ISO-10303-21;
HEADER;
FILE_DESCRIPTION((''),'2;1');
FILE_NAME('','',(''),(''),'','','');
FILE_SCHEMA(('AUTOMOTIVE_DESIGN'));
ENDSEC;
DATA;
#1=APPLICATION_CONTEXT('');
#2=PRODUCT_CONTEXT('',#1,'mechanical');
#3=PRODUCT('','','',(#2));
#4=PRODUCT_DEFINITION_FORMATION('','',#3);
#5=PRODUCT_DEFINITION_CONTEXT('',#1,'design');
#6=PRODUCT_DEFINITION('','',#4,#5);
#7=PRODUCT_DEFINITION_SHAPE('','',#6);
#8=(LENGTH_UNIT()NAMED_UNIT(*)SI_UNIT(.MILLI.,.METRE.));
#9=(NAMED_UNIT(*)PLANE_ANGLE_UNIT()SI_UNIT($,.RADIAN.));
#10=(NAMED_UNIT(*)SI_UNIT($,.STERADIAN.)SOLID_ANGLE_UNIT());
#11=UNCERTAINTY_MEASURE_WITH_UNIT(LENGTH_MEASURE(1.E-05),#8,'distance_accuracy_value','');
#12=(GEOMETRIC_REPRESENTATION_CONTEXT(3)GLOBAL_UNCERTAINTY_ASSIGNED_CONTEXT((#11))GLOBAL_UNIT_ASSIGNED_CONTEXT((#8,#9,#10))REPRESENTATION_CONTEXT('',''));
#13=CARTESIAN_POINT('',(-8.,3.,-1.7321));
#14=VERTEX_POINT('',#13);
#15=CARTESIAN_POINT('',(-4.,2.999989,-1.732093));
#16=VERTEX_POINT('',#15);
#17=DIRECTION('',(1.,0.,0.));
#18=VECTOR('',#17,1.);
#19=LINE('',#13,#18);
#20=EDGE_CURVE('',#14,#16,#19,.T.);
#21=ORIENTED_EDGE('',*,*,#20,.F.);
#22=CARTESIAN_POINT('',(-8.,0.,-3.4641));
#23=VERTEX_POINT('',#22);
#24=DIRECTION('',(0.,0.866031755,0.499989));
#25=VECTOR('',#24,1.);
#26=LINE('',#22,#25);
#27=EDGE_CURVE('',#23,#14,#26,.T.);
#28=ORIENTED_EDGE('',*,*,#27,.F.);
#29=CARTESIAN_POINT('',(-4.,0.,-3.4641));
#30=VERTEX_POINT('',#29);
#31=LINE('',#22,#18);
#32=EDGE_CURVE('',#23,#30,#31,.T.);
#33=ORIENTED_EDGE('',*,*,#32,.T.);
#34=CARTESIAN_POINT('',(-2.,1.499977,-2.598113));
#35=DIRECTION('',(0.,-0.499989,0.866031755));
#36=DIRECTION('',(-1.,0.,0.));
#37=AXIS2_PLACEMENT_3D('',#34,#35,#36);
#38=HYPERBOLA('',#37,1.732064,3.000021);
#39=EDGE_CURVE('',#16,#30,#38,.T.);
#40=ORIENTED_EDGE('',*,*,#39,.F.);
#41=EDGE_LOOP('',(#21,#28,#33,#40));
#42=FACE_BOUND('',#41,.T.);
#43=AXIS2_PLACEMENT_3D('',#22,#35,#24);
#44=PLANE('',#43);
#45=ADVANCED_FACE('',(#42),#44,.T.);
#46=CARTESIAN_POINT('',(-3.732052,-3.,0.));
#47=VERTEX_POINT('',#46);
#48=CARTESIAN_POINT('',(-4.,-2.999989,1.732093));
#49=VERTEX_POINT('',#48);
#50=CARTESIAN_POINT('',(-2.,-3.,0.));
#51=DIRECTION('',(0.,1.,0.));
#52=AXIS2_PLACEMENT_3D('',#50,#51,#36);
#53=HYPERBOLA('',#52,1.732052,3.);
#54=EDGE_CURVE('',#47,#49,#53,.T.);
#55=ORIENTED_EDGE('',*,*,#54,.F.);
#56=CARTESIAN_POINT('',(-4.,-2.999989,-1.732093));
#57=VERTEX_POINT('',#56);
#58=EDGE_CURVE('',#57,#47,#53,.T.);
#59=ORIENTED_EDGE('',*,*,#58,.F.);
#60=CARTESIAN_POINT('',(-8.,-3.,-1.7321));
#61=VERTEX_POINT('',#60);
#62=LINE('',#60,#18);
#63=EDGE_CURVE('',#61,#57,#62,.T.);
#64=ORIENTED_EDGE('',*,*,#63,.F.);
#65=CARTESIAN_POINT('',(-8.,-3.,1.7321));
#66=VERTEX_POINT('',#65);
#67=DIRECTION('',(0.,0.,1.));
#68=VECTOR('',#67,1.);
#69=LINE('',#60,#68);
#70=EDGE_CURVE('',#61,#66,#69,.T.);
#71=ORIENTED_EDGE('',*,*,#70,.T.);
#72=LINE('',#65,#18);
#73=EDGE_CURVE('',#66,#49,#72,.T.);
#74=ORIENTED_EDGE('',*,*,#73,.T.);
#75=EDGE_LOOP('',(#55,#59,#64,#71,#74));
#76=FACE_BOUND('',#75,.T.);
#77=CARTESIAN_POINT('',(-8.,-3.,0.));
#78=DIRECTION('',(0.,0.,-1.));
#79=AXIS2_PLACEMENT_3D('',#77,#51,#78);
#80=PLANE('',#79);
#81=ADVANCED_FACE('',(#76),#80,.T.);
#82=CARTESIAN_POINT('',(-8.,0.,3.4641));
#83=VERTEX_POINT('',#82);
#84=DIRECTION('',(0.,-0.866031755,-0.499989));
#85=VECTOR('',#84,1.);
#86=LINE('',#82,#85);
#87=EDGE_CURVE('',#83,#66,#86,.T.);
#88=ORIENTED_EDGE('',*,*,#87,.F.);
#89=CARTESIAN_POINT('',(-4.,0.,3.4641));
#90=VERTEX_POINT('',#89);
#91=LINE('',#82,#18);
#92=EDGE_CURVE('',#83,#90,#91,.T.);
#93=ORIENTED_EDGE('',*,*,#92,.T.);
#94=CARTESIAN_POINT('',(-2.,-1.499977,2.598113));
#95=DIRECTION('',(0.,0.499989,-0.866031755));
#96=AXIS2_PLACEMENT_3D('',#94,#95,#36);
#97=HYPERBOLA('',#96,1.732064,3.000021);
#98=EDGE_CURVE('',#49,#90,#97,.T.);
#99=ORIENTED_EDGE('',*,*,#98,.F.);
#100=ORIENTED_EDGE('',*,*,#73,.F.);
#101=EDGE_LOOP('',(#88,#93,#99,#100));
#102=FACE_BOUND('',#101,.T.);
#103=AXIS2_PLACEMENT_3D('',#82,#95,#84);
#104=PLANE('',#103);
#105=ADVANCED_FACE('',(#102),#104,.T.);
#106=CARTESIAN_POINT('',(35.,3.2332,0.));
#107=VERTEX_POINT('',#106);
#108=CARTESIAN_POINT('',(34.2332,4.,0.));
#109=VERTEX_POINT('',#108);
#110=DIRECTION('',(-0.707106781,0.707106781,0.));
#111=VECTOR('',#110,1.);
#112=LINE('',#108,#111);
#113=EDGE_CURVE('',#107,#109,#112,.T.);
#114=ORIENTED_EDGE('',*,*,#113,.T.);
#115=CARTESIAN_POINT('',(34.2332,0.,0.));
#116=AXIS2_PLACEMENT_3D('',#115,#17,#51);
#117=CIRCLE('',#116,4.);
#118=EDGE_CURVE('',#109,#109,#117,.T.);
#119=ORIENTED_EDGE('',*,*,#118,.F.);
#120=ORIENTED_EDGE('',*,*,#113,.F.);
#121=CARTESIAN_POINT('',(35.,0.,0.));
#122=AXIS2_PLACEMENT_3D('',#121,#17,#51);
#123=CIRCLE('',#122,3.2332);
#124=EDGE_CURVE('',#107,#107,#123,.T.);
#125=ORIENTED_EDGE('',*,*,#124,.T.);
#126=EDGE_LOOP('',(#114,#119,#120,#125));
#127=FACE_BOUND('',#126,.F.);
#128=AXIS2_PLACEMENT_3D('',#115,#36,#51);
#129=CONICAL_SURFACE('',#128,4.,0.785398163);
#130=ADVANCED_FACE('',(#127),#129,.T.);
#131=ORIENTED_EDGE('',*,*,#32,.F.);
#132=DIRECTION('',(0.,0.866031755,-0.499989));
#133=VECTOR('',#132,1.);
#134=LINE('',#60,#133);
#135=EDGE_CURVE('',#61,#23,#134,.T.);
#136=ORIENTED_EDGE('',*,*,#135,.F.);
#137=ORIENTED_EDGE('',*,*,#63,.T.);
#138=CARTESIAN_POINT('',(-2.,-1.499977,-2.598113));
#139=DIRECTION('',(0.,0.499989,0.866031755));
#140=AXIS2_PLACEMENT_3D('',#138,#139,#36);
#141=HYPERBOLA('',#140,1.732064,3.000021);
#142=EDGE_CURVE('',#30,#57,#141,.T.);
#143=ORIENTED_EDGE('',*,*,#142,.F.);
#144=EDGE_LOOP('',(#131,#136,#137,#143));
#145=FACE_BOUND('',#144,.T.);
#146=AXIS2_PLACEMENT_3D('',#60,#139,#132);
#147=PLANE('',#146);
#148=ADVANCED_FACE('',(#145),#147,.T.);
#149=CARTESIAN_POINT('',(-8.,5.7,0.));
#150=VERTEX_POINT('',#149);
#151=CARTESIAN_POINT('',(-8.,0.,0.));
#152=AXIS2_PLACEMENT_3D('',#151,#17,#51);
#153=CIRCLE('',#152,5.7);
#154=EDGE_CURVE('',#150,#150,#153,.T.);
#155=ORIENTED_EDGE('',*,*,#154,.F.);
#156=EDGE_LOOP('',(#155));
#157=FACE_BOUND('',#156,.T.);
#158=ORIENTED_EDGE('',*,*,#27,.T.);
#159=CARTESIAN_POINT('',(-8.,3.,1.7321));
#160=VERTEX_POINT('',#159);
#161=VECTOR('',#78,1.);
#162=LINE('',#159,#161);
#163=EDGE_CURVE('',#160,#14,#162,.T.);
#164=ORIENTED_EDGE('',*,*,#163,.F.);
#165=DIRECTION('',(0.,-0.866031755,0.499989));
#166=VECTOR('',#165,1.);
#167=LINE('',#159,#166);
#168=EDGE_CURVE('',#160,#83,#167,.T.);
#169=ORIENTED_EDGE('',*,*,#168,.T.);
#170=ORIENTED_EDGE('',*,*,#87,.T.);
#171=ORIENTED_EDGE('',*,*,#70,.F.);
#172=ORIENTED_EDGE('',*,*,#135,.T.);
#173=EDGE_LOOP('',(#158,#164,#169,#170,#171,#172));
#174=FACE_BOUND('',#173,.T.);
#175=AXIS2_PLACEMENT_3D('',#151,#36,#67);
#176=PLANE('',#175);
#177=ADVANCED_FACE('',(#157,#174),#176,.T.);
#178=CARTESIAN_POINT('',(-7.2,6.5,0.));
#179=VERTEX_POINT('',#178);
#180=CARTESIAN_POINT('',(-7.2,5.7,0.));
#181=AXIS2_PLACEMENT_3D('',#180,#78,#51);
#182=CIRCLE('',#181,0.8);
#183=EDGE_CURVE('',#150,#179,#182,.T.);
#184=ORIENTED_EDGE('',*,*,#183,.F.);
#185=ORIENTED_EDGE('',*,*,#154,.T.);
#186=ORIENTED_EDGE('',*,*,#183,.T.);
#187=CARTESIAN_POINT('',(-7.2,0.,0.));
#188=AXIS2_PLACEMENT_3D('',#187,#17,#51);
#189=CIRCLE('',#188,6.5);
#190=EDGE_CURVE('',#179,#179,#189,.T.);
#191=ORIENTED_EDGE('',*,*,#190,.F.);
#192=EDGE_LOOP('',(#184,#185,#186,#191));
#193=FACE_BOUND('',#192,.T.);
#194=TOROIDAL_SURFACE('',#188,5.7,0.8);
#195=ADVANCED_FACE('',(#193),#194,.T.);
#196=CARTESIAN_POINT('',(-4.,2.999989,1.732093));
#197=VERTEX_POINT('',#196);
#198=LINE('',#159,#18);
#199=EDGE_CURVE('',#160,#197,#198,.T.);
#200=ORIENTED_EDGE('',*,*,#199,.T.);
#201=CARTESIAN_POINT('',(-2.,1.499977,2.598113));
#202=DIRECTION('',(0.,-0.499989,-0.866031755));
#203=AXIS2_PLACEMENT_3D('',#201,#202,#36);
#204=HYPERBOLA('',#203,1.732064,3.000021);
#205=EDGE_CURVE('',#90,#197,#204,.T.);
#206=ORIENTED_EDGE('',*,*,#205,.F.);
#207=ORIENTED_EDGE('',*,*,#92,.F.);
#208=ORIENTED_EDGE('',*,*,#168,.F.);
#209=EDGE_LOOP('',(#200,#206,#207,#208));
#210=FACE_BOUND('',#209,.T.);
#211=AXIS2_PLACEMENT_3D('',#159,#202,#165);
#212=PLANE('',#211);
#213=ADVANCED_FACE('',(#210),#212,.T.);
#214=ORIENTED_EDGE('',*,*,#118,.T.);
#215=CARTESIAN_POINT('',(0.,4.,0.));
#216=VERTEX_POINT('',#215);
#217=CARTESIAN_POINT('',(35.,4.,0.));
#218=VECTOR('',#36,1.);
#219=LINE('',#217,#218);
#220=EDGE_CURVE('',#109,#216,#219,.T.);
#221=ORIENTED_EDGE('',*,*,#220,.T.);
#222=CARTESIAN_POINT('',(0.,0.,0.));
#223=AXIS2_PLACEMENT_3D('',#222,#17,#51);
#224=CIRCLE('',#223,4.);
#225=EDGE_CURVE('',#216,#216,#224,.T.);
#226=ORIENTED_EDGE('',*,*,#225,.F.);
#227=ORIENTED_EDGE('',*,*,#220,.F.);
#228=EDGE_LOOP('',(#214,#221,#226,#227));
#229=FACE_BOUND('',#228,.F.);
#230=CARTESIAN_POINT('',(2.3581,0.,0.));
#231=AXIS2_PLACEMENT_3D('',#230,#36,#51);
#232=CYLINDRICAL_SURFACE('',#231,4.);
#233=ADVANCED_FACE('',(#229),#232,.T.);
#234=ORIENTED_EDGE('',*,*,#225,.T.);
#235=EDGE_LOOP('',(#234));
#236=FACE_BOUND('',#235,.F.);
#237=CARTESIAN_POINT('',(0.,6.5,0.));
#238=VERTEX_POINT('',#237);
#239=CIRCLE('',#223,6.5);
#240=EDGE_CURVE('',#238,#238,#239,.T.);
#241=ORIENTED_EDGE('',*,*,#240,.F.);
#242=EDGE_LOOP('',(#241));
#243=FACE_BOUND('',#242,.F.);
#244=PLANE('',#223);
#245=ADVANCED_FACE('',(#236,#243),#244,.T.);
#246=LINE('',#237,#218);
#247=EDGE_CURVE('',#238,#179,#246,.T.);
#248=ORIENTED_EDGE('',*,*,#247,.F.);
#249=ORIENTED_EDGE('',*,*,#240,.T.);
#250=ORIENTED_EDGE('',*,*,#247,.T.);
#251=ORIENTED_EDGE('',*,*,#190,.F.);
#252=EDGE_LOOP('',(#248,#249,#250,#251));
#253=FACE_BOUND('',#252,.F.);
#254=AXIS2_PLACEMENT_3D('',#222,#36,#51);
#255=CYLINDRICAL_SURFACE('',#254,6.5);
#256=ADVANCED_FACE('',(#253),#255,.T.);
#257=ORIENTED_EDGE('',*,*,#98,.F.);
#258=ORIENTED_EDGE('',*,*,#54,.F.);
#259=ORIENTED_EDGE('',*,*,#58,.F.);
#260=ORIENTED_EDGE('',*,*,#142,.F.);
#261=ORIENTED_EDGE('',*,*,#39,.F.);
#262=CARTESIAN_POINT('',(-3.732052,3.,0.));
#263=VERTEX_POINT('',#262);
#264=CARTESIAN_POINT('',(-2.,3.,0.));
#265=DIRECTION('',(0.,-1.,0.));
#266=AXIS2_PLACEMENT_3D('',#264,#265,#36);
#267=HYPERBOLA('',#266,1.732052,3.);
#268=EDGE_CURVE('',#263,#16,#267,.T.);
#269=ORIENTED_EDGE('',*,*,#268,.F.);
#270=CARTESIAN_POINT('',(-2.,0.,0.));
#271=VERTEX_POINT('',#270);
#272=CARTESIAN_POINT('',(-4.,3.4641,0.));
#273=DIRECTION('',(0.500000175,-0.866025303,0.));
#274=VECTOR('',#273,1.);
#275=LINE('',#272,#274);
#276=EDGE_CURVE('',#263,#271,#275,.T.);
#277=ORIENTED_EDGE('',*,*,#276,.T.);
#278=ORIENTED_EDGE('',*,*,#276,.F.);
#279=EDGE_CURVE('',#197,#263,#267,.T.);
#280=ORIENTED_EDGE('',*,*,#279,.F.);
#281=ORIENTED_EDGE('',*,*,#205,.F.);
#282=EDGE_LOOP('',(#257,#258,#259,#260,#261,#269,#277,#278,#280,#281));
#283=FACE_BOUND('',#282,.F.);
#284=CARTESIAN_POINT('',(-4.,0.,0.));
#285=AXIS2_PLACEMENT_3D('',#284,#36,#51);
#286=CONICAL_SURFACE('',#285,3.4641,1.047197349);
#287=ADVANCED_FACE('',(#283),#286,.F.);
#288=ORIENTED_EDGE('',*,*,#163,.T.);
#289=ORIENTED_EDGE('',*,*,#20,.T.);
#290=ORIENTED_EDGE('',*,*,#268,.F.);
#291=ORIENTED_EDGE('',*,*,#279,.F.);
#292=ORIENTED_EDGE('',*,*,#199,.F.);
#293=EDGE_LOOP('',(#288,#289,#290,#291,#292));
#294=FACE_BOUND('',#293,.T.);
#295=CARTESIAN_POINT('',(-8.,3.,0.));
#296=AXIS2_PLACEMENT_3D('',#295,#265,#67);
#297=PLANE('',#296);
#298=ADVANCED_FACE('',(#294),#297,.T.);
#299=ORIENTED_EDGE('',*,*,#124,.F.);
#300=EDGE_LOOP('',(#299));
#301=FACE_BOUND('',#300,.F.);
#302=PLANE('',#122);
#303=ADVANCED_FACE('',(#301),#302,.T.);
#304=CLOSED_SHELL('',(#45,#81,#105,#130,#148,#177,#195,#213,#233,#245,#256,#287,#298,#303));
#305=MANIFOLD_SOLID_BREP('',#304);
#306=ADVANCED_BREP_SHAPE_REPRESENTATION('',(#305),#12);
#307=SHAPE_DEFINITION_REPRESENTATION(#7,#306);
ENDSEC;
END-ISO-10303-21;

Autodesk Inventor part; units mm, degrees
ref_plane "YZ Plane" through (0, 0, 0) normal (1, 0, 0) x (0, 1, 0)
ref_plane "XZ Plane" through (0, 0, 0) normal (0, 1, 0) x (-1, 0, 0)
ref_plane "XY Plane" through (0, 0, 0) normal (0, 0, 1) x (1, 0, 0)
sketch "Sketch1" plane through (0, 0, 0) normal (0, 0, 1) x (1, 0, 0)
  line L0 (-2, 0) -> (35, 0)
  line L1 (35, 0) -> (35, 4)
  line L2 (35, 4) -> (3.125, 4)
  line L3 (3.125, 4) -> (2.3581, 4)
  line L4 (2.3581, 4) -> (0, 4)
  line L5 (0, 4) -> (0, 6.5)
  line L6 (0, 6.5) -> (-8, 6.5)
  line L7 (-8, 6.5) -> (-8, 3.4641)
  line L8 (-8, 3.4641) -> (-4, 3.4641)
  line L9 (-4, 3.4641) -> (-2, 0)
  line L10 (-12.3, 0) -> (47.9, 0) projected
  line L11 (0, -0.65) -> (0, 8.45) projected
  line L12 (3.125, 4) -> (0, 4) construction
  dimension "d1" = 31.875
  dimension "d2" = 0.7669
  dimension "d3" = 8
  dimension "d4" = 4
  dimension "d5" = 60
  dimension "d6" = 8
  dimension "d7" = 8
  dimension "d8" = 6.9282
  dimension "d9" = 13
  dimension "d26" = 35
revolve "Body" add sketch "Sketch1" angle 360 about axis through (-2, 0, 0) along (1, 0, 0)
sketch "Sketch2" plane through (-8, 0, 0) normal (-1, 0, 0) x (0, 0, 1)
  circle A0 centre (0, 0) radius 3.4641 projected
  line L0 (0, -7.8) -> (0, 10.4) projected
  line L1 (-7.8, 0) -> (10.4, 0) projected
  line L2 (3.4641, 0) -> (1.7321, -3)
  line L3 (1.7321, -3) -> (-1.7321, -3)
  line L4 (-1.7321, -3) -> (-3.4641, 0)
  line L5 (-3.4641, 0) -> (-1.7321, 3)
  line L6 (-1.7321, 3) -> (1.7321, 3)
  line L7 (1.7321, 3) -> (3.4641, 0)
extrude "Slot" add sketch "Sketch2" against normal up to next contours L7 A0 | A0 L2 | L6 L0 A0 | A0 L0 L3 | L0 L6 A0 | A0 L3 L0 | L4 A0 | A0 L5
fillet "Fillet1" radius 0.8 1 edges at (-8, -6.5, 0)
thread "Thread" size "M8x1.25" class "6g" standard "ISO Metric profile" length 31.875
chamfer "Chamfer1" distance 0.7668 distance2 0.7668 1 edges at (35, -4, 0) measured on face at (35, -0.4013, -0.6579)
equation "\"d1\" = GEL"
equation "\"d3\" = KOH"
equation "\"d4\" = INTI"
equation "\"d6\" = GD"
equation "\"d7\" = BDM"
equation "\"d8\" = 1.1547 * SW"
equation "\"d9\" = KOD"
equation "\"d26\" = NLG"
equation "\"d17\" = RR"
equation "\"d13\" = GEL"
equation "\"d15\" = -0.5 * SPD + 0.5 * GD"
equation "\"d16\" = GUL"
equation "\"GD\" = NND"
equation "\"NLG\" = 35"
equation "\"GEL\" = 31.875"
equation "\"KOD\" = 13"
equation "\"KOH\" = NND"
equation "\"INTI\" = 4"
equation "\"GAL\" = 0.61345 * TPU"
equation "\"GUL\" = 0.61345 * TPU"
equation "\"BDM\" = NND"
equation "\"SW\" = 6"
equation "\"RR\" = 0.1 * NND"
equation "\"SPD\" = NND - 1.2269 * TPU"
equation "\"TOA\" = 30deg"
equation "\"PTC\" = TPU"
equation "\"GD1\" = THREADDIA - 1.2269 * TPU"
equation "\"TPU\" = 1.25"
equation "\"THREADDIA\" = 8"
equation "\"FAWI\" = 45deg"
equation "\"E0\" = 1.155 * SW"
equation "\"NND\" = 8"
properties part number "BS 4168 - M8 x 35"
